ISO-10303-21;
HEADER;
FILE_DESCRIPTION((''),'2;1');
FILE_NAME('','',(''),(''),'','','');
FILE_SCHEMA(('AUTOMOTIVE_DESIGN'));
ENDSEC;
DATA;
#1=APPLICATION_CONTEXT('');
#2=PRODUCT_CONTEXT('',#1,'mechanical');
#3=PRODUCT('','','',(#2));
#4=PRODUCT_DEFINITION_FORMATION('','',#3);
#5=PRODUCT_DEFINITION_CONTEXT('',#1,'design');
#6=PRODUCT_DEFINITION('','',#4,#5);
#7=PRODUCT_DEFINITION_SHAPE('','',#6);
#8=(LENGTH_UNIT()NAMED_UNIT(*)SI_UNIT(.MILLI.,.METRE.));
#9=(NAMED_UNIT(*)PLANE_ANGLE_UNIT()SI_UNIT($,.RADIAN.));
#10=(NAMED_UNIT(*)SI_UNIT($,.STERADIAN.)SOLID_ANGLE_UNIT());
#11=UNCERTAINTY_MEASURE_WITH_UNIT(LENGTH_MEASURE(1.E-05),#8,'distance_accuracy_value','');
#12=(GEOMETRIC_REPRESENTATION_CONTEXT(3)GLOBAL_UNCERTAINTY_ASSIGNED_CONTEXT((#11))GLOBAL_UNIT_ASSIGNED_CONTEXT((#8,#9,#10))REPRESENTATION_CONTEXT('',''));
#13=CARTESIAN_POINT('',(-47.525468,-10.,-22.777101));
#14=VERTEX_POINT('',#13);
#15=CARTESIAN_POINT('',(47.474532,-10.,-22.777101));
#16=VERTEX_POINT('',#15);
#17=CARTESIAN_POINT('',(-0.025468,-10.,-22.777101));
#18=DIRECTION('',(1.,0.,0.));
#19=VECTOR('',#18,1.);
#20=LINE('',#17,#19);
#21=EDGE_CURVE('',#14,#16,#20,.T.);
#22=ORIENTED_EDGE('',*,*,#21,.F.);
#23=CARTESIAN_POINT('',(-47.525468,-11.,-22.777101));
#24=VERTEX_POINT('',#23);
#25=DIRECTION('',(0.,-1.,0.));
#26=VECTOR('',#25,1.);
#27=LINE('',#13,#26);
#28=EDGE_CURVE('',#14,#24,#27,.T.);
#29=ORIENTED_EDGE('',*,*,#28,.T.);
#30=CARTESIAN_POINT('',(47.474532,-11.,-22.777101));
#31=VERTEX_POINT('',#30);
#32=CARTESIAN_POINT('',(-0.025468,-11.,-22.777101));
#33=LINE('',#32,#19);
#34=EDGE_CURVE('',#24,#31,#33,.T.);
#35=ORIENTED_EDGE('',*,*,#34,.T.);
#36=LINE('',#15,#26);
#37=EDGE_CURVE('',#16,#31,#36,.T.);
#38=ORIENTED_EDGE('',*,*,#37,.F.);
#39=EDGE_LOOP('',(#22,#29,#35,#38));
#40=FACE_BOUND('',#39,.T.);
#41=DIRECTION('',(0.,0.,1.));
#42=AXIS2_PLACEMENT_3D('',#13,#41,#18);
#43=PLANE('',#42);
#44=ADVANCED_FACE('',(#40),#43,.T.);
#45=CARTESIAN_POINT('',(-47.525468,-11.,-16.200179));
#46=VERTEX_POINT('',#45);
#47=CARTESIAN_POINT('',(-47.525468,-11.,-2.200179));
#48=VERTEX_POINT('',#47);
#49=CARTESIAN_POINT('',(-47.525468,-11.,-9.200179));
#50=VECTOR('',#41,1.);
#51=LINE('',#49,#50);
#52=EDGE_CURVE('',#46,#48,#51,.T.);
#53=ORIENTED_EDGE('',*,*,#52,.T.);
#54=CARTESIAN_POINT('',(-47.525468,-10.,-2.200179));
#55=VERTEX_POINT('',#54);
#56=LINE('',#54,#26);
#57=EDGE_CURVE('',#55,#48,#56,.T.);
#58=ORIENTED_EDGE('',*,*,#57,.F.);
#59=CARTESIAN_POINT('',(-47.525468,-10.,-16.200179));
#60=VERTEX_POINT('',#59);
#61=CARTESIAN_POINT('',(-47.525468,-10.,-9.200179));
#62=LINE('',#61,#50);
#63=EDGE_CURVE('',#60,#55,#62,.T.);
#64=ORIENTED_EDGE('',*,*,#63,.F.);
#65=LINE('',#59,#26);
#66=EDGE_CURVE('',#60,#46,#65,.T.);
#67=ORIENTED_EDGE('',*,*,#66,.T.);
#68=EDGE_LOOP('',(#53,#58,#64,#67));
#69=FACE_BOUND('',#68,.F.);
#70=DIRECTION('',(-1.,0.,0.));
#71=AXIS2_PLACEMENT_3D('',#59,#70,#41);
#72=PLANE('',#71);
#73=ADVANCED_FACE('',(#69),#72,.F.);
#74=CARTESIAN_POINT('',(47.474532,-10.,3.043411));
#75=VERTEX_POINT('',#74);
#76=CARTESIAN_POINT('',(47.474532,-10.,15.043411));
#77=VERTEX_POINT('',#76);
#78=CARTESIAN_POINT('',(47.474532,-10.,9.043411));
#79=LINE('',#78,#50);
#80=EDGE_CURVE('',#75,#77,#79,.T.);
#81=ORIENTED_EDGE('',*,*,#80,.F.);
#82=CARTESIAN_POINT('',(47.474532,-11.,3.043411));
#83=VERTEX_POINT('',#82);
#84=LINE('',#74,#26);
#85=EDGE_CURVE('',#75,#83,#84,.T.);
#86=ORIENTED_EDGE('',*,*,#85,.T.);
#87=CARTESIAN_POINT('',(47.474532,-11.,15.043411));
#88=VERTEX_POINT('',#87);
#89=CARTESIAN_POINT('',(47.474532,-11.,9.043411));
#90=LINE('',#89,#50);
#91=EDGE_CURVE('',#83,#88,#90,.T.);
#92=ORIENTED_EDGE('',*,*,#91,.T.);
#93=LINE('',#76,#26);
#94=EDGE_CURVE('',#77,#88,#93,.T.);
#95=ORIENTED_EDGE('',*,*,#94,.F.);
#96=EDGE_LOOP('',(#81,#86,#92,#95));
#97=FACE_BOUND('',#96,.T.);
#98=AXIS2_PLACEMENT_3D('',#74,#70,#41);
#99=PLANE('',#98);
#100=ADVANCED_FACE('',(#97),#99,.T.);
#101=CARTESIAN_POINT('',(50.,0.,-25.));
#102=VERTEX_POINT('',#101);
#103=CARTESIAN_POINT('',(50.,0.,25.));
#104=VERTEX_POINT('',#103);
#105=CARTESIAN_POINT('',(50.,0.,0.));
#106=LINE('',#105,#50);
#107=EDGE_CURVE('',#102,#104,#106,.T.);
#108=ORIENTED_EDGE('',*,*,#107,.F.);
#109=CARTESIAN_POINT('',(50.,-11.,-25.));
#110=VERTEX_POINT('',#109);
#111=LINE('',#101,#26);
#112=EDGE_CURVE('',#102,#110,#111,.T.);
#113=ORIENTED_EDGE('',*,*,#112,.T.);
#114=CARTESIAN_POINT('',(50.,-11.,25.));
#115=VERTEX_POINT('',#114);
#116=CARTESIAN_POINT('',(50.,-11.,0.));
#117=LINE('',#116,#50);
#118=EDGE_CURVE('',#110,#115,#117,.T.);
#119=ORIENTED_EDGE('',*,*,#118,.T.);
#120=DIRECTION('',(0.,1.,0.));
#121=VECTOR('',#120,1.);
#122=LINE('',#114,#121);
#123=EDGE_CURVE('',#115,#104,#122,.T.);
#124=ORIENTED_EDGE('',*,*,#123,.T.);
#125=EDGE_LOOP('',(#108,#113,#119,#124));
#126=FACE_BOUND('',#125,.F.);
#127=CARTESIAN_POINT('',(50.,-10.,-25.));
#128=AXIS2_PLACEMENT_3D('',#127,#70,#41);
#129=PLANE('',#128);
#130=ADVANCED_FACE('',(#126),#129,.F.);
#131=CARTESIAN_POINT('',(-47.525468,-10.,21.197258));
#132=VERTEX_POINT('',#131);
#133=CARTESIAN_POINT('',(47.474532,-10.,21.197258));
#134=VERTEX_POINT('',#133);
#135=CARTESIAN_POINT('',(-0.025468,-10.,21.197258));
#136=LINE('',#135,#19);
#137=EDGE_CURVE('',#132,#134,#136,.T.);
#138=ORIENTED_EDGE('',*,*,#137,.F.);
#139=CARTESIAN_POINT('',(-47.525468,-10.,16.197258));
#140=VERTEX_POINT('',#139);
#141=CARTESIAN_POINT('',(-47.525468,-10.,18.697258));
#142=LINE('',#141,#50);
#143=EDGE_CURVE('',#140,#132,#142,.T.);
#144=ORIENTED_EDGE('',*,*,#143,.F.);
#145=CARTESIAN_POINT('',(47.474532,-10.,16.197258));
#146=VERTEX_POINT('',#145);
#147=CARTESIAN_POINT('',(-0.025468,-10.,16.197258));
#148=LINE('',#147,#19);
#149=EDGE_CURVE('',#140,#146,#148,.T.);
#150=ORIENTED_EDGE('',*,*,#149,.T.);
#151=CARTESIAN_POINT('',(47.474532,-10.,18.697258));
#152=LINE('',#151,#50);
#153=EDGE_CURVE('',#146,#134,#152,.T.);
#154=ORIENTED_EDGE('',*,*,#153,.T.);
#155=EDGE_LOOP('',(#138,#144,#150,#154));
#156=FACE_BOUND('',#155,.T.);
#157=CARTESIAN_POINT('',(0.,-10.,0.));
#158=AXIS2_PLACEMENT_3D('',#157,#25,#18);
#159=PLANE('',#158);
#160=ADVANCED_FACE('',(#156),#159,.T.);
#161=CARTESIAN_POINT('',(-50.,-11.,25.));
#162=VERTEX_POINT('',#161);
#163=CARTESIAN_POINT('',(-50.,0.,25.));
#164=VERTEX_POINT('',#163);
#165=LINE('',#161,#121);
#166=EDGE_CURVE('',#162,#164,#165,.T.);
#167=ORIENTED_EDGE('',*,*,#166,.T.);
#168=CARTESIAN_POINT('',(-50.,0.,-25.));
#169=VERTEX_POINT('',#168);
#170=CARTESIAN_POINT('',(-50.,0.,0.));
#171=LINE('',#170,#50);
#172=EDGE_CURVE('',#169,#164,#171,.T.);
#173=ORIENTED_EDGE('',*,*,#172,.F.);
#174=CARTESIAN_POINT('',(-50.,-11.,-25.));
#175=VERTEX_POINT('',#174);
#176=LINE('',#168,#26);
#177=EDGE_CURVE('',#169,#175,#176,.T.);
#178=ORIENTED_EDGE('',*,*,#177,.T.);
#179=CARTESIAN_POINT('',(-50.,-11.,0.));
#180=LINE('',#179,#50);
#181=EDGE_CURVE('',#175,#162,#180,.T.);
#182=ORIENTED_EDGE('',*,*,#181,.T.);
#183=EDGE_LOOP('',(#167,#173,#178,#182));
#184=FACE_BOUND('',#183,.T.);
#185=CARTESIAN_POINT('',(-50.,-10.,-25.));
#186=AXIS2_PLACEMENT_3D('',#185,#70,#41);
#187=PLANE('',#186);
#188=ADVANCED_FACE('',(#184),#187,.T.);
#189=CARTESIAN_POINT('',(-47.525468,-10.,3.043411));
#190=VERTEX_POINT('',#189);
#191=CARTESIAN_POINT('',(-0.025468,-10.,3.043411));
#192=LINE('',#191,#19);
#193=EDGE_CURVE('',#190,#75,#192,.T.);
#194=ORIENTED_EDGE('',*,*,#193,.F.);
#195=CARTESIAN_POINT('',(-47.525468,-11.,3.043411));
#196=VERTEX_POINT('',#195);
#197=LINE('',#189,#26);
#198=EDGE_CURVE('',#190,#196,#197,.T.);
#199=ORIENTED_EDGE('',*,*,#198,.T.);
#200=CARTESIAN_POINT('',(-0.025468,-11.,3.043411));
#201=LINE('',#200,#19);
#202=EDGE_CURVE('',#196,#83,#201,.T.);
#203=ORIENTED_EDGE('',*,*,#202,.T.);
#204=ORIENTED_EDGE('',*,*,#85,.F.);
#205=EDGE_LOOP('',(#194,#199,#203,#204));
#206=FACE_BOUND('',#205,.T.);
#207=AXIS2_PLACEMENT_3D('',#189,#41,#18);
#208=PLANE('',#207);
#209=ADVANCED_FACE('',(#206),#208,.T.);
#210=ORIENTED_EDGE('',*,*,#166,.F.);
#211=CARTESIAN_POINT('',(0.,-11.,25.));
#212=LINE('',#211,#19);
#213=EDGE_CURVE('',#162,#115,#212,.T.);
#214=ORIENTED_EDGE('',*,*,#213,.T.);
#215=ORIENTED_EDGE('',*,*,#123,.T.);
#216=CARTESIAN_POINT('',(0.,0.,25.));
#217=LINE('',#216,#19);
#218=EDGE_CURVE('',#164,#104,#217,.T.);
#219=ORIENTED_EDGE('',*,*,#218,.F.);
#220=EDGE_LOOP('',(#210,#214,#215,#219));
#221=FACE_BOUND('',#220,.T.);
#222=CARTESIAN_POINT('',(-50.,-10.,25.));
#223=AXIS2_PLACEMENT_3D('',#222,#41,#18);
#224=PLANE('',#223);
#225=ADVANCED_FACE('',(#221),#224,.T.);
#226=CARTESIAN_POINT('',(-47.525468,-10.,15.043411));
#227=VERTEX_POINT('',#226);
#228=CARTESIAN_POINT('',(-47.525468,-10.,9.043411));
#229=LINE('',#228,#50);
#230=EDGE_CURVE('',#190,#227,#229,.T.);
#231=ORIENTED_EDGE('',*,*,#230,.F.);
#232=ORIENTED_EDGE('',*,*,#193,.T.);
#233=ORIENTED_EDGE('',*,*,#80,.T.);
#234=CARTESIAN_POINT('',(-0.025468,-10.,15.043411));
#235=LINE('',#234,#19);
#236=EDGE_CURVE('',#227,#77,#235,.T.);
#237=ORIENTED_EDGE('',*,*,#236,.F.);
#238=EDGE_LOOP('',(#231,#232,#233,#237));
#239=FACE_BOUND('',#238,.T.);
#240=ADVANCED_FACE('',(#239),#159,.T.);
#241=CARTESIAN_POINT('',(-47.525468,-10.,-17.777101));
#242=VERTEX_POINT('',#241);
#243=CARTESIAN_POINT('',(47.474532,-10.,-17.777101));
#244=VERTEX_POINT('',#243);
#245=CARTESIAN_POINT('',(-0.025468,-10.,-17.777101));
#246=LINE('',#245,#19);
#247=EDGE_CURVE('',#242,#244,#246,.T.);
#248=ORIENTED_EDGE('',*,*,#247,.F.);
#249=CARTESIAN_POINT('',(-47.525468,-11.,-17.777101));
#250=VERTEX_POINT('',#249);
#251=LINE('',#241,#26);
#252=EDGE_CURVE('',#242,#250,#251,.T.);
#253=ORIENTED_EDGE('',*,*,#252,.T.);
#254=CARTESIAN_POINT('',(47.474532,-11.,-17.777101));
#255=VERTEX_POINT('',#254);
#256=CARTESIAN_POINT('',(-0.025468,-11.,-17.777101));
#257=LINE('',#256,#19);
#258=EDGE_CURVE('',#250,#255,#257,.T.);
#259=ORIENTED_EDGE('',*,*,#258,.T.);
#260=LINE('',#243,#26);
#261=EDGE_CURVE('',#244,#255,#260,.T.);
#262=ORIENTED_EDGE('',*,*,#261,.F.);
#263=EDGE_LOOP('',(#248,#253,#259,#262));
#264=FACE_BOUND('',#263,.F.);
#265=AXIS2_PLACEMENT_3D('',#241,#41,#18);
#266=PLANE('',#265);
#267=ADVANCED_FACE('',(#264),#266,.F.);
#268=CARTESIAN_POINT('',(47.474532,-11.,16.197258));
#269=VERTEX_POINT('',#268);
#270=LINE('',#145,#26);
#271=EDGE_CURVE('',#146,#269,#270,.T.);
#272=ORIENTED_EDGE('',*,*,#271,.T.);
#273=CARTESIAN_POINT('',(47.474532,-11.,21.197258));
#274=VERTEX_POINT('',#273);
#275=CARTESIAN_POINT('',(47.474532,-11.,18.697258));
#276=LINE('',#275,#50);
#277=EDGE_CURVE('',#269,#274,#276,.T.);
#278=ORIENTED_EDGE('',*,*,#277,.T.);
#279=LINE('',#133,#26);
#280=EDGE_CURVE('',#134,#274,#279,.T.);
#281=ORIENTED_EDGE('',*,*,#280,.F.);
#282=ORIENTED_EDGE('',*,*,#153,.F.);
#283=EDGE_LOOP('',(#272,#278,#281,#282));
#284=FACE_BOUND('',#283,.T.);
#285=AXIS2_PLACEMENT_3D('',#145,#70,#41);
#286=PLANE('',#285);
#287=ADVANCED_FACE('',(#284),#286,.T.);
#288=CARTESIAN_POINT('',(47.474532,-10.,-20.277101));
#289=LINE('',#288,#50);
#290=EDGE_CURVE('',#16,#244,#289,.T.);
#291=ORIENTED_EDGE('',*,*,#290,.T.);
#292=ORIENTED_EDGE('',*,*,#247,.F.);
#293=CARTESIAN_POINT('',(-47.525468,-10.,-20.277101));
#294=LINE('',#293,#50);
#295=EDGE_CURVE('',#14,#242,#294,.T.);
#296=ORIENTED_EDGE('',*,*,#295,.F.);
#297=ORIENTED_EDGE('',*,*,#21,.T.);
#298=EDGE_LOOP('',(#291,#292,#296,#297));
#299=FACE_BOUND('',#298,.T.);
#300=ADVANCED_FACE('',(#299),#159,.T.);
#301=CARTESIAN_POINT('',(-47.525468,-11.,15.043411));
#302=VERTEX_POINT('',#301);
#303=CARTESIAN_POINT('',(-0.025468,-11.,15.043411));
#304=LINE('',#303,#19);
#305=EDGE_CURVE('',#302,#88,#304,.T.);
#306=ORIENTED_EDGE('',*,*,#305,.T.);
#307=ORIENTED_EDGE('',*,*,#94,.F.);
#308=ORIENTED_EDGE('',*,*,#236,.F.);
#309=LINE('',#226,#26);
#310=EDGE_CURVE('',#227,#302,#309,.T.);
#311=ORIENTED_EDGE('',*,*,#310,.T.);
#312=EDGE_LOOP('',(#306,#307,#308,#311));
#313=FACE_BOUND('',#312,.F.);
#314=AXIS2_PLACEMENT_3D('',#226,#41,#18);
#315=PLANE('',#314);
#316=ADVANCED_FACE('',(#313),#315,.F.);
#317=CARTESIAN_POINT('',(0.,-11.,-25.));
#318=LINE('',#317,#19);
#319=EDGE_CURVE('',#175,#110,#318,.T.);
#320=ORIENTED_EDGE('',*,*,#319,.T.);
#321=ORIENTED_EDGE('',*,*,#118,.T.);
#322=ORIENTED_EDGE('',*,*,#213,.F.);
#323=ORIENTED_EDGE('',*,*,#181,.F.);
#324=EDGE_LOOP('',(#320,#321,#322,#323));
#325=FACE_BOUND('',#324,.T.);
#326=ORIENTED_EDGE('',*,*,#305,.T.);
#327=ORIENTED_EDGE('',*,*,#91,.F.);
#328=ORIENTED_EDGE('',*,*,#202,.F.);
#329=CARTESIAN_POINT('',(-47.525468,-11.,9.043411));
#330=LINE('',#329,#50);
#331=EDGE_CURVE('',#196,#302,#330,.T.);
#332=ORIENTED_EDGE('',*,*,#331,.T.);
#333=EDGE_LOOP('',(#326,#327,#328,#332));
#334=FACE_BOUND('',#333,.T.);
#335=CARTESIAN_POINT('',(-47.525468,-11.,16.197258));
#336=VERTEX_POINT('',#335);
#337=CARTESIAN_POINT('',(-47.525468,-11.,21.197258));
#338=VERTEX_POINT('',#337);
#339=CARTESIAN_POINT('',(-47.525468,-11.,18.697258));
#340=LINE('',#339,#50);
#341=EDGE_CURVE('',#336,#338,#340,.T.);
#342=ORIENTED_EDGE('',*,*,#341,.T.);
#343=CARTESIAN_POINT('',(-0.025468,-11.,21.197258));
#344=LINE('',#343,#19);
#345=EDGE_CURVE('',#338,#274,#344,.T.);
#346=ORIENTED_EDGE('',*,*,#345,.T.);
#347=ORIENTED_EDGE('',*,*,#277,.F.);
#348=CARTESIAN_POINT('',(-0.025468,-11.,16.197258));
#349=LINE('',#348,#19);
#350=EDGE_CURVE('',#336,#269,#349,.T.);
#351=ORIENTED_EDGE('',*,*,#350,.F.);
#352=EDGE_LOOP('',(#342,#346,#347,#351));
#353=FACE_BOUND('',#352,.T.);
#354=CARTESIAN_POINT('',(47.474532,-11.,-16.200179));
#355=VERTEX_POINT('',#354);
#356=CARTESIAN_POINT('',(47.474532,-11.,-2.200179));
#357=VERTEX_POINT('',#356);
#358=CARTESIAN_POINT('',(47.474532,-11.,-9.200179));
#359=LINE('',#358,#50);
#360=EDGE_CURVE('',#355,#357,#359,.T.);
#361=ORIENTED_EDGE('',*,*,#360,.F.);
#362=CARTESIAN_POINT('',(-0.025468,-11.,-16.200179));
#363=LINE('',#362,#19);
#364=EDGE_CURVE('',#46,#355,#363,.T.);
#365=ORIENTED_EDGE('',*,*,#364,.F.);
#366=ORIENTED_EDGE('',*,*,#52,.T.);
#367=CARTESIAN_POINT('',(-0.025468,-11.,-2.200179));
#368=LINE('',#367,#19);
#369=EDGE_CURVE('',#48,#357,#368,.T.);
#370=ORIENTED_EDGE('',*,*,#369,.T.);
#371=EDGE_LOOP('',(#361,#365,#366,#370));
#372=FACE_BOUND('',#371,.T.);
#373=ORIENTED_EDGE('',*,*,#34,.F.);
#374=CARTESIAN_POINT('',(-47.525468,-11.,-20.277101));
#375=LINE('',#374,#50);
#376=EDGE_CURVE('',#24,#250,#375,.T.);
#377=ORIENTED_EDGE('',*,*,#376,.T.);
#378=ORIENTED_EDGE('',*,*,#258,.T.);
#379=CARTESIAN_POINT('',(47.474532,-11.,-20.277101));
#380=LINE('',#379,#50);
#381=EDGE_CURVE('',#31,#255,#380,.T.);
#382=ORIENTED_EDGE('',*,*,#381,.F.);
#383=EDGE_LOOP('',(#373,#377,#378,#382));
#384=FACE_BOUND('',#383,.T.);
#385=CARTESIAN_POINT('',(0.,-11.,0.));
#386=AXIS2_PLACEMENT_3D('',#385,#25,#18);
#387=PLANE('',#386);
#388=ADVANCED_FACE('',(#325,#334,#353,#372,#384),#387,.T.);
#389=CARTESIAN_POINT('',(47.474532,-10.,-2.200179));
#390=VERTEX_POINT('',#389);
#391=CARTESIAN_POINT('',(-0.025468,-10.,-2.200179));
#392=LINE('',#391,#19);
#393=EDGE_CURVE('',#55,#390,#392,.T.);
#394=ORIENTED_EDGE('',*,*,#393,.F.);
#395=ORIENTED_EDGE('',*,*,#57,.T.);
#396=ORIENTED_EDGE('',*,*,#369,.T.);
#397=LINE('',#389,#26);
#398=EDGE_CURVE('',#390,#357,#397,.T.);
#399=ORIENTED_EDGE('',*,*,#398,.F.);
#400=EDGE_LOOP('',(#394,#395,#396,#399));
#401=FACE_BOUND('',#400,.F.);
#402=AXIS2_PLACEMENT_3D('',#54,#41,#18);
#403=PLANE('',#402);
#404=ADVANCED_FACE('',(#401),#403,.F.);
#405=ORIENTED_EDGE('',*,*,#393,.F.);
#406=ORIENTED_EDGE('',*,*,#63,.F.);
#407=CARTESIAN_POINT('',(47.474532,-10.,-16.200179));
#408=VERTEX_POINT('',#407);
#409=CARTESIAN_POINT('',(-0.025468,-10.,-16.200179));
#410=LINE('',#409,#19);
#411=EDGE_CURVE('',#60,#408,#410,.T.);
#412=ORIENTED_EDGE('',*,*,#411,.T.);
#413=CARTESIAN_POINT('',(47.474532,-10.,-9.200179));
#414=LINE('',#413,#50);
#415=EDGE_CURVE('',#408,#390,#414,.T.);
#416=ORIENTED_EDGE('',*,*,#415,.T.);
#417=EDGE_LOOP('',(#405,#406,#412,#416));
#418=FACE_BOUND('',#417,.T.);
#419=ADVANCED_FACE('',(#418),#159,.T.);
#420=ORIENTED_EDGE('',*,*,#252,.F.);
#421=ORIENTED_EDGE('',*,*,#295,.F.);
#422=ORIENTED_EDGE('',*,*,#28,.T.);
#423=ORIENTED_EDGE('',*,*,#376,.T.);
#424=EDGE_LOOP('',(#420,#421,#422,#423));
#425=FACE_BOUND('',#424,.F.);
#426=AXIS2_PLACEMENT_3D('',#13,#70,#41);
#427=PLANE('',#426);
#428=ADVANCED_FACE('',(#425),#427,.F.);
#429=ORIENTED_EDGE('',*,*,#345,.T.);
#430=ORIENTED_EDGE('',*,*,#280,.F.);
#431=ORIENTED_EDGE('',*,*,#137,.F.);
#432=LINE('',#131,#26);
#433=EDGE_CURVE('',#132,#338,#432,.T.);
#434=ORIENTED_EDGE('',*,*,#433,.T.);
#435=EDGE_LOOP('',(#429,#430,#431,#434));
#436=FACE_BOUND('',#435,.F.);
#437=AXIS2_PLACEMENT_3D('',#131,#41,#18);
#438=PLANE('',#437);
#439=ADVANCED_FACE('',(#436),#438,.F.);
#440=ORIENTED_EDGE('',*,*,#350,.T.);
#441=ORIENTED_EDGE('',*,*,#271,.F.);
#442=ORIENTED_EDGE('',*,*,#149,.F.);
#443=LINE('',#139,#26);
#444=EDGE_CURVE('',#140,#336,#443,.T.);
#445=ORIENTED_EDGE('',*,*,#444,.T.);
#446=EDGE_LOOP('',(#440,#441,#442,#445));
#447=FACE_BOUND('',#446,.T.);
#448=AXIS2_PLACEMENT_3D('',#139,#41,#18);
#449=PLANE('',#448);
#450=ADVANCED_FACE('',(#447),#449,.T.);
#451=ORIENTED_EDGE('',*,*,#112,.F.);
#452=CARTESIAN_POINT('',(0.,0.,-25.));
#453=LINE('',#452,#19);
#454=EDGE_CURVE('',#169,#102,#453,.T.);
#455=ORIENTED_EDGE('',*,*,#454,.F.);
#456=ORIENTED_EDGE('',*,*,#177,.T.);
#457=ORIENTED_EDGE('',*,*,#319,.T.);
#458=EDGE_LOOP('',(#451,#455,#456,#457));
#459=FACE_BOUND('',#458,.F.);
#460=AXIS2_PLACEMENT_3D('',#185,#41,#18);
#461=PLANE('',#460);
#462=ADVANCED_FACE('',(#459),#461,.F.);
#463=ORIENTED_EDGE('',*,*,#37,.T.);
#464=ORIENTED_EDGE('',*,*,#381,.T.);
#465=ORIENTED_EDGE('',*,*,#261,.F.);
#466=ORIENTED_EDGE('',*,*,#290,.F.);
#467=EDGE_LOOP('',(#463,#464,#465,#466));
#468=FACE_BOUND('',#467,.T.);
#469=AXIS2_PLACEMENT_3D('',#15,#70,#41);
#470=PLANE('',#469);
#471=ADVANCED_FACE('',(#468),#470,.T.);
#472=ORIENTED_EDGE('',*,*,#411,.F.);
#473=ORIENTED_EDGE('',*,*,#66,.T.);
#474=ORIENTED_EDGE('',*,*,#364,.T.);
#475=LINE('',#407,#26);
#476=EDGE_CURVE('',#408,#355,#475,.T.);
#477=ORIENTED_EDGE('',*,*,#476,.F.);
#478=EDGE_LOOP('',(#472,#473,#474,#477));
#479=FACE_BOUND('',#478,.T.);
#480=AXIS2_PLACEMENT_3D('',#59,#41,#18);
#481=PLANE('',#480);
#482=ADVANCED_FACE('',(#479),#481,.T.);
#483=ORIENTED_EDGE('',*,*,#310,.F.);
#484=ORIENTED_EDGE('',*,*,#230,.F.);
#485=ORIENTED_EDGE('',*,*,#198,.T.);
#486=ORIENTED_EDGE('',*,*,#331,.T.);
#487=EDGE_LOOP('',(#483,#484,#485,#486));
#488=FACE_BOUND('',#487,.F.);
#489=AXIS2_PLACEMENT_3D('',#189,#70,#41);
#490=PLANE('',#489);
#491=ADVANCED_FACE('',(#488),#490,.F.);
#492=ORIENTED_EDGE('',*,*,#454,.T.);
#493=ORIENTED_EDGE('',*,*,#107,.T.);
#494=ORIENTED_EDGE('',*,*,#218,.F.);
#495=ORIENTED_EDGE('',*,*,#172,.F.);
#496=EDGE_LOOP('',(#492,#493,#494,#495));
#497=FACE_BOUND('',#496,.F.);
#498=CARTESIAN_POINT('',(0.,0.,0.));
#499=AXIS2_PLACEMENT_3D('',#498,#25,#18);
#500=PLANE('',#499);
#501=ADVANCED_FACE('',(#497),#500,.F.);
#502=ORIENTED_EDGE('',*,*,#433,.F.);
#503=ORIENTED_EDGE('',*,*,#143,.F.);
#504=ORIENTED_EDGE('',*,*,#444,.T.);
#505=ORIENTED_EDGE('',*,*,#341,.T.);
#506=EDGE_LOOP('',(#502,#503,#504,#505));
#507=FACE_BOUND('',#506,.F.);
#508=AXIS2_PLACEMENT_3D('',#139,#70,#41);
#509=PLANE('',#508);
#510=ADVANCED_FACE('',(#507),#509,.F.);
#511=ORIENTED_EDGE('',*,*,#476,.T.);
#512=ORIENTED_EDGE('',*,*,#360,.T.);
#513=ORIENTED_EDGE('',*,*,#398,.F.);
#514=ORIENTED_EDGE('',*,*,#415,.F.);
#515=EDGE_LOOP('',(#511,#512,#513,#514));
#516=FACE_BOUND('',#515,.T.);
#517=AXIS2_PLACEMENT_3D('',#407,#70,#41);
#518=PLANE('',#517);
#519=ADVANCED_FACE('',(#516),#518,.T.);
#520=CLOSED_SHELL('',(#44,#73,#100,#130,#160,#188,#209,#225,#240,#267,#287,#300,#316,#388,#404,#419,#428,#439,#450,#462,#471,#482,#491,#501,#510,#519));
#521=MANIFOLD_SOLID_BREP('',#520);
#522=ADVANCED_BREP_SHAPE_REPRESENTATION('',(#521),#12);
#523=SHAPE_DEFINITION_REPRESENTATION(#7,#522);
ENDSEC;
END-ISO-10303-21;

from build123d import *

# Parameters (mm, degrees)
F0_W     = 100
F0_H     = 50
F1_DEPTH = 10
F2_W     = 100
F2_H     = 50
F2_W_2   = 95
F2_H_2   = 5
F2_H_3   = 14
F2_H_4   = 12
F3_DEPTH = 1


with BuildPart() as f1:
    # F0 (on Front) → F1 (new body)
    with BuildSketch(Plane.XZ):
        Rectangle(F0_W, F0_H)
    extrude(amount=F1_DEPTH)

    # F2 (on face) → F3 (join)
    with BuildSketch(Plane.XZ.offset(10)):
        Rectangle(F2_W, F2_H)
        with Locations((-0.025468, -20.277101)):
            Rectangle(F2_W_2, F2_H_2, mode=Mode.SUBTRACT)
        with Locations((-0.025468, -9.200179)):
            Rectangle(F2_W_2, F2_H_3, mode=Mode.SUBTRACT)
        with Locations((-0.025468, 9.043411)):
            Rectangle(F2_W_2, F2_H_4, mode=Mode.SUBTRACT)
        with Locations((-0.025468, 18.697258)):
            Rectangle(F2_W_2, F2_H_2, mode=Mode.SUBTRACT)
    extrude(amount=F3_DEPTH)


solid = f1.part
